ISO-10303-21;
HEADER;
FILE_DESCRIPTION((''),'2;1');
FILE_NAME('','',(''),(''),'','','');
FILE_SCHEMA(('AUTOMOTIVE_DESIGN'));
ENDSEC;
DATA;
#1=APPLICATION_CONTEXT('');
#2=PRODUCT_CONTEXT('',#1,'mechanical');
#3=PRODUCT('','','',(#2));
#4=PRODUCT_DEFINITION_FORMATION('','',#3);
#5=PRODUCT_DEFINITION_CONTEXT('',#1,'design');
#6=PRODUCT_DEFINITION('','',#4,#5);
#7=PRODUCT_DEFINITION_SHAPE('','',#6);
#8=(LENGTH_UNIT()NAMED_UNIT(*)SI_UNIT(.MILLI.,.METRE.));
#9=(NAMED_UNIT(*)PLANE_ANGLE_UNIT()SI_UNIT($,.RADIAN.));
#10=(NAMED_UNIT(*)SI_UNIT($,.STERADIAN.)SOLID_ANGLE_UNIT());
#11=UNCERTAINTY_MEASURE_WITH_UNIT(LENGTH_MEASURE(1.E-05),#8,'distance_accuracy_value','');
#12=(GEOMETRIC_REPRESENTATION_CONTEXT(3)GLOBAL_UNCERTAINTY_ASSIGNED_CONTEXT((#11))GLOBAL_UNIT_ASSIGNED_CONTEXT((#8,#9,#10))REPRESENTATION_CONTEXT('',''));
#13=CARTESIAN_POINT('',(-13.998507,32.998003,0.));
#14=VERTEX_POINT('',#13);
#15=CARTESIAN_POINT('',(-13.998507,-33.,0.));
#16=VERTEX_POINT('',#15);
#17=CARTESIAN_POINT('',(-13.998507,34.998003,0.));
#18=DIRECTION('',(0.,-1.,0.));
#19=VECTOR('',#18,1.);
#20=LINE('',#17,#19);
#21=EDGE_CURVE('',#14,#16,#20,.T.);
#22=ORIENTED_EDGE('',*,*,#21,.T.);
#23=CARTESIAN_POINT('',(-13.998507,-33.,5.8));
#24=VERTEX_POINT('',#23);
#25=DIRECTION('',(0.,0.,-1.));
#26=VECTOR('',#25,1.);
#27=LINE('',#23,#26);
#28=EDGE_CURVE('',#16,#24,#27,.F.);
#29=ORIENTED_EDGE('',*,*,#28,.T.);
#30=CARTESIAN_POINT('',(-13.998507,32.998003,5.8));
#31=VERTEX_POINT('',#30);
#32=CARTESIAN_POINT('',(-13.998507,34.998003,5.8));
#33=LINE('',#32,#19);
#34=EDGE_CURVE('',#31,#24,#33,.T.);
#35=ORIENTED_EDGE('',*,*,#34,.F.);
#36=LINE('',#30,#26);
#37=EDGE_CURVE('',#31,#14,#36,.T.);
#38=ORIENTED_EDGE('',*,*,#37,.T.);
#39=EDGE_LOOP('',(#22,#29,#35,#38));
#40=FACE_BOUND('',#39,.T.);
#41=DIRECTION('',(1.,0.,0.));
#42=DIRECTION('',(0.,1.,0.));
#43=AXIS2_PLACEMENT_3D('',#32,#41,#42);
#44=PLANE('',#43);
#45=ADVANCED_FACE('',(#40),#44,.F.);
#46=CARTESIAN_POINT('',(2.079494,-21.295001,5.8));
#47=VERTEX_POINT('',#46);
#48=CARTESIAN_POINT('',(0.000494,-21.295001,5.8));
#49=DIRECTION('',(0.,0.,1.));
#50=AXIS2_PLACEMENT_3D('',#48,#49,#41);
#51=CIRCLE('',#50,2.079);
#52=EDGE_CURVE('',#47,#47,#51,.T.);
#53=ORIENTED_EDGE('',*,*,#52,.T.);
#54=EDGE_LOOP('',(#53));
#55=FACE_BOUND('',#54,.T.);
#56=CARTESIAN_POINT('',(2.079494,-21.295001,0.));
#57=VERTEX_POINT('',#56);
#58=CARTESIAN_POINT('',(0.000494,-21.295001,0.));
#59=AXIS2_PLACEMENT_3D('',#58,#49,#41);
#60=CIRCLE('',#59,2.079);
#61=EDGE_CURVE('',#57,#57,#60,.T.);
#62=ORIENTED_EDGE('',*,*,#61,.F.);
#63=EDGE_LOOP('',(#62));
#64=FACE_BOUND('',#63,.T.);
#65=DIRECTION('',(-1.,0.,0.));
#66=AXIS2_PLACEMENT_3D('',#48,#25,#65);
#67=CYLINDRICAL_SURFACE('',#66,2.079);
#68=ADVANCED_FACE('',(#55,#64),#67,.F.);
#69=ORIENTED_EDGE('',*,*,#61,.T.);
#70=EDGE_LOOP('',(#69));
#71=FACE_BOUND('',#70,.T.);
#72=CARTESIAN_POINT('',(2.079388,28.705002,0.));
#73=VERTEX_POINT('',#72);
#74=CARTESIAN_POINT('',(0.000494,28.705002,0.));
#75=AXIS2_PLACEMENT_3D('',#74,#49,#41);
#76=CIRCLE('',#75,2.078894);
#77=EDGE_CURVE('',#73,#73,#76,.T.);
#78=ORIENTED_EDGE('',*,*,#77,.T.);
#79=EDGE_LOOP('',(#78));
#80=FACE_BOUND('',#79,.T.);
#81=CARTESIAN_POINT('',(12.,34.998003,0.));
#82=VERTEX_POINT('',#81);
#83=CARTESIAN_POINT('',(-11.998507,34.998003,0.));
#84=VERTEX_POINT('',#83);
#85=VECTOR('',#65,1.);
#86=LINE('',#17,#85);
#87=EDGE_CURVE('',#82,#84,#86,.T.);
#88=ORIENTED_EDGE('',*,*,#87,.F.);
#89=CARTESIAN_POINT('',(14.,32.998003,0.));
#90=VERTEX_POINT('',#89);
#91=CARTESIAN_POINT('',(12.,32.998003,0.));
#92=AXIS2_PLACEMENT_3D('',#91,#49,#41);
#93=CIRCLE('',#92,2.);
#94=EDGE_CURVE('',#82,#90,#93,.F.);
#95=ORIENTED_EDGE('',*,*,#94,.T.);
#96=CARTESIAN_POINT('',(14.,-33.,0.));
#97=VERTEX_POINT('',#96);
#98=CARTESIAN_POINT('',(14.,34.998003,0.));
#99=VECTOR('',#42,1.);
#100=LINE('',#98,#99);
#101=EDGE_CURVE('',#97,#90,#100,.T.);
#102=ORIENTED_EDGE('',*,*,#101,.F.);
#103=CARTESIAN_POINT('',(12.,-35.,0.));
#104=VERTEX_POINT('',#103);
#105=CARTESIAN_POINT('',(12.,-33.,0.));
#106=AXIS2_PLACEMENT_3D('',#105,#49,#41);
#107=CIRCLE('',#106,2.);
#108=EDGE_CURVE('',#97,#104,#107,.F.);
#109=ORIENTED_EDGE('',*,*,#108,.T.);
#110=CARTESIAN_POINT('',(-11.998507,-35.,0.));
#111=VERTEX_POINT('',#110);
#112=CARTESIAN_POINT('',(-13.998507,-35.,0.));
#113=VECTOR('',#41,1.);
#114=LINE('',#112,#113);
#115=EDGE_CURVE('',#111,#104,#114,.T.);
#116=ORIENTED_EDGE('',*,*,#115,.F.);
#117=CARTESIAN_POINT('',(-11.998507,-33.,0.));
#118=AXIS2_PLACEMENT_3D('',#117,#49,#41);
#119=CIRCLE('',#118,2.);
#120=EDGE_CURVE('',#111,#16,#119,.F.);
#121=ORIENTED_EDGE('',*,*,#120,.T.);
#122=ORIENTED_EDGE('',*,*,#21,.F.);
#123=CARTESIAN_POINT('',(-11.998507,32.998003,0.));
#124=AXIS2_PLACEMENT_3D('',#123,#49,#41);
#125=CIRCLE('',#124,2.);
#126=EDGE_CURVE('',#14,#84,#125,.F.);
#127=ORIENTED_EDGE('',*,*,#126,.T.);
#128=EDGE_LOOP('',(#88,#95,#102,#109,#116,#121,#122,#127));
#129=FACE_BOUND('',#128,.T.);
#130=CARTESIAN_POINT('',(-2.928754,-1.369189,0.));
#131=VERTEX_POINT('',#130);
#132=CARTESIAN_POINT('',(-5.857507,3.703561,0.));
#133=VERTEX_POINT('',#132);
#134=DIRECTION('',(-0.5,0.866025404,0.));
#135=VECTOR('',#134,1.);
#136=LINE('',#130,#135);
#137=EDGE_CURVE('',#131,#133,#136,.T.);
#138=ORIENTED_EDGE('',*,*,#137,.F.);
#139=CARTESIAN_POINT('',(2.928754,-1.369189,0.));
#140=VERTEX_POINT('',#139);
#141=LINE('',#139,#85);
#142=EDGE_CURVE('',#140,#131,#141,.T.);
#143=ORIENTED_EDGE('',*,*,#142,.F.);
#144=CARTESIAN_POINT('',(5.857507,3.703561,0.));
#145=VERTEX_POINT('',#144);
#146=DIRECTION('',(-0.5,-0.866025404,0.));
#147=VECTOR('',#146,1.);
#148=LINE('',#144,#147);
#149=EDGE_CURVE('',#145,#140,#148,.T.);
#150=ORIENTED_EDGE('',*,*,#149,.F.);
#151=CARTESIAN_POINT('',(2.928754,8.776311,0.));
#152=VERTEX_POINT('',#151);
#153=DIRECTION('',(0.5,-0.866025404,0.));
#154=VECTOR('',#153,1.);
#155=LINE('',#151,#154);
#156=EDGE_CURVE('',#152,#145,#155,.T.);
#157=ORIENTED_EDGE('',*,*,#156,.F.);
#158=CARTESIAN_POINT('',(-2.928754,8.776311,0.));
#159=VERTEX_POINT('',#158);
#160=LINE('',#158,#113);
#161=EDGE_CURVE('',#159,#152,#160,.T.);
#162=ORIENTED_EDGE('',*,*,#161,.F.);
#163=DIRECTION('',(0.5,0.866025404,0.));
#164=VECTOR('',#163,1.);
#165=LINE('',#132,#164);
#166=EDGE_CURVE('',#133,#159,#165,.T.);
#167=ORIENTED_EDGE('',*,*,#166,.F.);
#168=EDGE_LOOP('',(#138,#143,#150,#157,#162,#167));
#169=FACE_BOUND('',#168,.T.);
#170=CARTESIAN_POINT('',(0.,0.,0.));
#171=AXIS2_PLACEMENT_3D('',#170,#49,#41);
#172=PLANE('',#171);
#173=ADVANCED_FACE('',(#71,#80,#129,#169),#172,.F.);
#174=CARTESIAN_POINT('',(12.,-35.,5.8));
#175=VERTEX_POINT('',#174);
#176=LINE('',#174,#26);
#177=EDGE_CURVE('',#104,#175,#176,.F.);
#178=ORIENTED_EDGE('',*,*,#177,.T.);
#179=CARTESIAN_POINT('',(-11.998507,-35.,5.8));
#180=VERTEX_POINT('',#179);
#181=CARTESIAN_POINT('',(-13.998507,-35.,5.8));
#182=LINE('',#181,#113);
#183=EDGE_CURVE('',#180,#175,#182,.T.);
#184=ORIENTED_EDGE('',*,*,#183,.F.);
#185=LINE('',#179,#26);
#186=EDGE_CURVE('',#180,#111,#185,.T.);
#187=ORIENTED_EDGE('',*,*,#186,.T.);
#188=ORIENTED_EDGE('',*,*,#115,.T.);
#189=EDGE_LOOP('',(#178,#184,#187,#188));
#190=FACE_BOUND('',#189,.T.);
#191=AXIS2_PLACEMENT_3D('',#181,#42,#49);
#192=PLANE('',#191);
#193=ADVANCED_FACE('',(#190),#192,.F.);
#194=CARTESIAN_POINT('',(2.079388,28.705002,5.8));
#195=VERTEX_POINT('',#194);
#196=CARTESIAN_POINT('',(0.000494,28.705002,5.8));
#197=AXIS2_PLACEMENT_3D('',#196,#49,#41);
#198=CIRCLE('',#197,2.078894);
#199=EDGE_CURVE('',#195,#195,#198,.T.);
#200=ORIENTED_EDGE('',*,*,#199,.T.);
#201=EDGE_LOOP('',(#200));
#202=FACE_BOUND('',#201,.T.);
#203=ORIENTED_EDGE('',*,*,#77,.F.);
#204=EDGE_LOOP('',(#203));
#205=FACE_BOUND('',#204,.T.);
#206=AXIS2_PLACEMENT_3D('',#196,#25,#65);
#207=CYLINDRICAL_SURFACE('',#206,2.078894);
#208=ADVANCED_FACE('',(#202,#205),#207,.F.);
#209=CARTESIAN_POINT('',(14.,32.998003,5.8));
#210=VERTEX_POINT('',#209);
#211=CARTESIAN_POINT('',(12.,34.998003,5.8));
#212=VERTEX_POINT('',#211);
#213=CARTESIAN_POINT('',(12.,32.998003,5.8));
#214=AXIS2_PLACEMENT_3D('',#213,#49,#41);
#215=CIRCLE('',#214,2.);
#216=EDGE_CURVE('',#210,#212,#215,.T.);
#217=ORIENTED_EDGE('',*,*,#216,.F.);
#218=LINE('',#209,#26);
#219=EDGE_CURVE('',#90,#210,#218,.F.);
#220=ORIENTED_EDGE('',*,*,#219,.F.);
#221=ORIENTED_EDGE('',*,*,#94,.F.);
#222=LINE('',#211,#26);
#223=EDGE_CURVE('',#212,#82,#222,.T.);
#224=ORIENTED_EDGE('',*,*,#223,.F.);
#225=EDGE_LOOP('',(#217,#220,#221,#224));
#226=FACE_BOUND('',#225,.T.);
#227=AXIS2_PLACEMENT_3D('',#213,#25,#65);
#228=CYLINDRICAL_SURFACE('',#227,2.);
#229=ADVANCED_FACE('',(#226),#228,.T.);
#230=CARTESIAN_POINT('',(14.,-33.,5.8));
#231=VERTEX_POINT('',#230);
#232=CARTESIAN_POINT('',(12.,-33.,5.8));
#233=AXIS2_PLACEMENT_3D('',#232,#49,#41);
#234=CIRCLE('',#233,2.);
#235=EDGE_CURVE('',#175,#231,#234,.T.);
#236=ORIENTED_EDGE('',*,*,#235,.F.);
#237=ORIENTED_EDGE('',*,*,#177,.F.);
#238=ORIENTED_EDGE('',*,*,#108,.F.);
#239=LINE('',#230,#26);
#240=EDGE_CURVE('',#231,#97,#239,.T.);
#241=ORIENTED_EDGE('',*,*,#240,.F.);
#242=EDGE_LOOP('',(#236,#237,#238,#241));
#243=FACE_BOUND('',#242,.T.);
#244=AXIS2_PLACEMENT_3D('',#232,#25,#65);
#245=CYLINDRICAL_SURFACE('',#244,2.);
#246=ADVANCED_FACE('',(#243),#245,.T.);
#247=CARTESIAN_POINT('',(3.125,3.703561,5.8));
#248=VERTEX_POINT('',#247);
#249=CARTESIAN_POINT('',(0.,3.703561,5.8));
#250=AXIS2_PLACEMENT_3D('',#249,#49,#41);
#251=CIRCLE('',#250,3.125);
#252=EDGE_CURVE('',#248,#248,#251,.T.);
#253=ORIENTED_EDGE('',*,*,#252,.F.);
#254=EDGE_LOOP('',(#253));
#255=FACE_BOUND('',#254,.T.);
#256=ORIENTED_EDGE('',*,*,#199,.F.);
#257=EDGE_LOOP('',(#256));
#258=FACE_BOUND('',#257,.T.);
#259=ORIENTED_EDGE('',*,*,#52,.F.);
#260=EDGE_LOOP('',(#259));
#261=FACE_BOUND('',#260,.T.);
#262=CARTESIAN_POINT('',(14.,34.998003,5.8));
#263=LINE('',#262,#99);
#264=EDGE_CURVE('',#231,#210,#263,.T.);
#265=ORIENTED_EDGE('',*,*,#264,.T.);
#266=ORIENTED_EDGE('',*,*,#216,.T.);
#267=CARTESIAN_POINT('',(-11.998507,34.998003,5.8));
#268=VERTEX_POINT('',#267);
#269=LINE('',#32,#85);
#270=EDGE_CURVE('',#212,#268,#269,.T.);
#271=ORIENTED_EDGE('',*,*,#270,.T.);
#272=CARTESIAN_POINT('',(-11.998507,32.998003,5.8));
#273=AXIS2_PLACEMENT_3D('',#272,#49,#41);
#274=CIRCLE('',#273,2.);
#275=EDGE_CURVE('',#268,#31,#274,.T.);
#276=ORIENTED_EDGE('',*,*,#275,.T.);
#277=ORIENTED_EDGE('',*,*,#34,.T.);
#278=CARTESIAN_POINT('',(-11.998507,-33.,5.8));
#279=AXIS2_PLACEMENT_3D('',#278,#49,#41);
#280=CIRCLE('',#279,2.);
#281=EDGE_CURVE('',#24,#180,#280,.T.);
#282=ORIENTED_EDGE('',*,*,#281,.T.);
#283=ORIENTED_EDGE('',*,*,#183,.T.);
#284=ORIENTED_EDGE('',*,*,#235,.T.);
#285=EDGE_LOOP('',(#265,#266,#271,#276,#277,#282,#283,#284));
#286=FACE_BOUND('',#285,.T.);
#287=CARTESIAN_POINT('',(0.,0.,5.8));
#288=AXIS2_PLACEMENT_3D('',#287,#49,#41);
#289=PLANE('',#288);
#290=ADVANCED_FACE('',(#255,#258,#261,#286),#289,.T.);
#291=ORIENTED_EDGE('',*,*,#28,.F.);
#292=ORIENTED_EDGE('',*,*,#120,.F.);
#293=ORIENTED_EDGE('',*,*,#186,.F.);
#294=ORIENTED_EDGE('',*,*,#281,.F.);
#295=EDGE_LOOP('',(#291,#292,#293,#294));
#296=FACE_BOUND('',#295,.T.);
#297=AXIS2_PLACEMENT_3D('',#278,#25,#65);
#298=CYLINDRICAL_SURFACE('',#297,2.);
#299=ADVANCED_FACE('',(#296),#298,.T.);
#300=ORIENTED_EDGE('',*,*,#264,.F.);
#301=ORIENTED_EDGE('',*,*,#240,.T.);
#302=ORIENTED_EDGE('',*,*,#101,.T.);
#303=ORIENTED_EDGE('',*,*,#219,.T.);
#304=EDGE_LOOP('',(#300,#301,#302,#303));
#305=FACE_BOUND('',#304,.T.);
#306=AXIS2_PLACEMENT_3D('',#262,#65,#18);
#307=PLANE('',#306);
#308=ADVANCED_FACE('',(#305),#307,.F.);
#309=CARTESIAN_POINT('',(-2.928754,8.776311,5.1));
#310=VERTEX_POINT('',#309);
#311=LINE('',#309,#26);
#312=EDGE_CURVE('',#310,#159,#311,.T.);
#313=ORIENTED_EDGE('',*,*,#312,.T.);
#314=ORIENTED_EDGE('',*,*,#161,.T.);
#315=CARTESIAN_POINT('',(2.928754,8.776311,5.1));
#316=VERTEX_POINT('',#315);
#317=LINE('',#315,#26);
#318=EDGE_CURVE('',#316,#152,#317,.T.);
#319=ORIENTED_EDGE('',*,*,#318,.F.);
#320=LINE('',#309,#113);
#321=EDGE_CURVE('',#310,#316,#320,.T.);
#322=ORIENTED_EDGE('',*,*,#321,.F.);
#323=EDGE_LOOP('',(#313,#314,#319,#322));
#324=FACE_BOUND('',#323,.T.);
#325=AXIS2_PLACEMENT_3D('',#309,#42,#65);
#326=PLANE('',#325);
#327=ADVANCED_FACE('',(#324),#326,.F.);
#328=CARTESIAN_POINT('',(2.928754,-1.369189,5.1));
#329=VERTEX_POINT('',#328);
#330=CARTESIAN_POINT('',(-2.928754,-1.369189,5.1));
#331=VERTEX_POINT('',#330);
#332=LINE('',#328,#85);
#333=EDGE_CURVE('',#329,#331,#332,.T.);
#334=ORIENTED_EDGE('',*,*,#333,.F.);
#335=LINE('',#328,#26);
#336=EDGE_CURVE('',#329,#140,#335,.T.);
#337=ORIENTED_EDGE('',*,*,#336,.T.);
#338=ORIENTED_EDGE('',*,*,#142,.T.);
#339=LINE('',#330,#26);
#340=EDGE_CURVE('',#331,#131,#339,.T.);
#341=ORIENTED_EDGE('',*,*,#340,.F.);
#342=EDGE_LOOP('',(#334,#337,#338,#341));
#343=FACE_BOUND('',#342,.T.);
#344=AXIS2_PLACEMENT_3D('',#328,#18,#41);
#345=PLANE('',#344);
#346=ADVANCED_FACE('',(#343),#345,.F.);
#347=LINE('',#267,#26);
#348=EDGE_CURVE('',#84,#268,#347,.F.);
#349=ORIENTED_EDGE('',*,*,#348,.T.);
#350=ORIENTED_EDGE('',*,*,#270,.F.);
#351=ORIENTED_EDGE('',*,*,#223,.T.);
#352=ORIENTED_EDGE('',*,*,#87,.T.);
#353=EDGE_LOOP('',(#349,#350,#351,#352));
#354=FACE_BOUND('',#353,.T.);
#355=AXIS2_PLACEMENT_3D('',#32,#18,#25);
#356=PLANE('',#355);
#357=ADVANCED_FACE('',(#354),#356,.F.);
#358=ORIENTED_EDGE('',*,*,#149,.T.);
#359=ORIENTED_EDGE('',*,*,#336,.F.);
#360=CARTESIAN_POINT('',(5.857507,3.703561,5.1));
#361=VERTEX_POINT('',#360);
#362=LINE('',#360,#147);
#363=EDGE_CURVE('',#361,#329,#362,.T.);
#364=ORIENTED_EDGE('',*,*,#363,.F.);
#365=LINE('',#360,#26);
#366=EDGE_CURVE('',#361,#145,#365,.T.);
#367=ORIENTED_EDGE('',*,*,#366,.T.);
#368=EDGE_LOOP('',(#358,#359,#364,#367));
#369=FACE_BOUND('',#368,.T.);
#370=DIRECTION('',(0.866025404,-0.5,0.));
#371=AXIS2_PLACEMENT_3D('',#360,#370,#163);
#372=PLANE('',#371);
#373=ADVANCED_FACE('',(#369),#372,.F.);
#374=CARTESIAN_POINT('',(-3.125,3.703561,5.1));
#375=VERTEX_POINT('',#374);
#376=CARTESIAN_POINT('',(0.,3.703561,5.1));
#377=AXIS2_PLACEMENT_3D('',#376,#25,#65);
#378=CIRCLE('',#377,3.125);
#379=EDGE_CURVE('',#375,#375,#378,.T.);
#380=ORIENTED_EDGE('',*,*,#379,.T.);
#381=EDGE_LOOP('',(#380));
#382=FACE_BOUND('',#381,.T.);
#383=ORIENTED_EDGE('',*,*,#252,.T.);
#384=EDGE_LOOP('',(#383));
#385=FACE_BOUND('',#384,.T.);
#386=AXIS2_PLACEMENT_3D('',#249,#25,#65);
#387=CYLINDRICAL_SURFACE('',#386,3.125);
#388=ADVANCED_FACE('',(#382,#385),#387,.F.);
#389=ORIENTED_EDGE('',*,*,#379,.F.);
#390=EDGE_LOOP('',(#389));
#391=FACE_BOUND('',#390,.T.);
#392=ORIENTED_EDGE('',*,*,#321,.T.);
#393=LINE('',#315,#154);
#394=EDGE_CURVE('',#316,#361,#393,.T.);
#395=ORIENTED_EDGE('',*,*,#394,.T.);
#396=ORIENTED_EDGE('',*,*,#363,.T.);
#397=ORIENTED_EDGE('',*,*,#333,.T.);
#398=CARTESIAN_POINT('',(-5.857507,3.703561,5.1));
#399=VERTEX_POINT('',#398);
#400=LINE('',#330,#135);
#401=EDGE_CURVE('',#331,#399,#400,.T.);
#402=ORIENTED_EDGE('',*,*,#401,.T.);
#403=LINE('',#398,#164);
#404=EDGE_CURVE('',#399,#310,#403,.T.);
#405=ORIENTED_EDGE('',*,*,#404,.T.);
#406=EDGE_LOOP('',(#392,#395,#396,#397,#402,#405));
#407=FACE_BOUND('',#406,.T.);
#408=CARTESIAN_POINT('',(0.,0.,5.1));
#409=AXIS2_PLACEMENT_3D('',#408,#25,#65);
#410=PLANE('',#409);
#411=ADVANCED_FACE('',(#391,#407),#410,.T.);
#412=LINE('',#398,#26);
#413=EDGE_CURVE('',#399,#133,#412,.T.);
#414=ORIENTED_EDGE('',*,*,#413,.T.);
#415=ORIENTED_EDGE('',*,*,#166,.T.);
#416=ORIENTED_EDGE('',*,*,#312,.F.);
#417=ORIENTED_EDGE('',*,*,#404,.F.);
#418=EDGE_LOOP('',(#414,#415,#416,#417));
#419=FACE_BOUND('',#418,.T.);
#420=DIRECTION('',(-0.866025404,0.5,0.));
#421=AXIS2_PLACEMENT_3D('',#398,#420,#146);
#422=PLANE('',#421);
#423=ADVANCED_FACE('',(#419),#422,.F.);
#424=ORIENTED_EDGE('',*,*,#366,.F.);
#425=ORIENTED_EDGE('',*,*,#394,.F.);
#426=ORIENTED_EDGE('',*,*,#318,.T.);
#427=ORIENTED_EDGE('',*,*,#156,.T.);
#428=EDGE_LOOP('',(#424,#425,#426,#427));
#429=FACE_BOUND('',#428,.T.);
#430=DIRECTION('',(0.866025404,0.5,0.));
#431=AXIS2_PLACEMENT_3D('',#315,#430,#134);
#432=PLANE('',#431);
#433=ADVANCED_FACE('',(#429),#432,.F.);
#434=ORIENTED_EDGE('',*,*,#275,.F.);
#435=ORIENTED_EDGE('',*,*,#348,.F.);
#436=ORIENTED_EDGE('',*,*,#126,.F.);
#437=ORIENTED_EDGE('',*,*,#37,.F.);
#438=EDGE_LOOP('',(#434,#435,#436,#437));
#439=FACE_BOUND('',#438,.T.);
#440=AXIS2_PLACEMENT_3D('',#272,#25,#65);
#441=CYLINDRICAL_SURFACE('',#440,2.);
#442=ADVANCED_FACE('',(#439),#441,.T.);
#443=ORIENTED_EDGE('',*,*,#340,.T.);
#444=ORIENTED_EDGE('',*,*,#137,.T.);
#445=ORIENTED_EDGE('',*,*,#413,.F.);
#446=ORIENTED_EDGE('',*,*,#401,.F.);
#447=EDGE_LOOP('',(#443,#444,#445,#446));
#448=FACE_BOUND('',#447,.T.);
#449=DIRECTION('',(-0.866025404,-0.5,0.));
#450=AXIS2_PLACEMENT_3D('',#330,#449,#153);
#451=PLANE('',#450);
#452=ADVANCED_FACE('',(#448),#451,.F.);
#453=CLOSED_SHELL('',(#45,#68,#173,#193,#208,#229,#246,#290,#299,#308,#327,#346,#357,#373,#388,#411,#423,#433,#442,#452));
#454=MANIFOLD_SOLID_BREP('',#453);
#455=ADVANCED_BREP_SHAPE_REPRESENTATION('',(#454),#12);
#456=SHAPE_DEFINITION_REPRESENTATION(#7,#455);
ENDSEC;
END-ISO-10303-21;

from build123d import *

# Parameters (mm, degrees)
SKETCH1_W           = 27.998507133
SKETCH1_H           = 69.998003006
SKETCH1_R           = 2.078999996
SKETCH1_R_2         = 3.125
SKETCH1_R_3         = 2.078894146
BOSS_EXTRUDE1_DEPTH = 5.8
CUT_EXTRUDE1_DEPTH  = 5.1
FILLET1_R           = 2


with BuildPart() as part:
    # Sketch1 → Boss-Extrude1 (new body)
    with BuildSketch(Plane.XY):
        with Locations((0.000746433, -0.000998497)):
            Rectangle(SKETCH1_W, SKETCH1_H)
        with Locations((0.000493893, -21.295000553)):
            Circle(SKETCH1_R, mode=Mode.SUBTRACT)
        with Locations((0, 3.703561495)):
            Circle(SKETCH1_R_2, mode=Mode.SUBTRACT)
        with Locations((0.000493654, 28.705001831)):
            Circle(SKETCH1_R_3, mode=Mode.SUBTRACT)
    extrude(amount=BOSS_EXTRUDE1_DEPTH)

    # Sketch2 → Cut-Extrude1 (cut)
    with BuildSketch(Plane(origin=(0, 0, 0), x_dir=(-1, 0, 0), z_dir=(0, 0, -1))):
        Polygon((2.928753578, 8.776311495), (-2.928753578, 8.776311495), (-5.857507156, 3.703561495), (-2.928753578, -1.369188505), (2.928753578, -1.369188505), (5.857507156, 3.703561495), align=None)
    extrude(amount=-CUT_EXTRUDE1_DEPTH, mode=Mode.SUBTRACT)

    # Fillet1
    fillet1_edges = [part.edges().sort_by_distance(p)[0] for p in [
        (-13.998507133, 34.998003006, 2.9),
        (14, 34.998003006, 2.9),
        (14, -35, 2.9),
        (-13.998507133, -35, 2.9),
    ]]
    fillet(fillet1_edges, radius=FILLET1_R)


solid = part.part
